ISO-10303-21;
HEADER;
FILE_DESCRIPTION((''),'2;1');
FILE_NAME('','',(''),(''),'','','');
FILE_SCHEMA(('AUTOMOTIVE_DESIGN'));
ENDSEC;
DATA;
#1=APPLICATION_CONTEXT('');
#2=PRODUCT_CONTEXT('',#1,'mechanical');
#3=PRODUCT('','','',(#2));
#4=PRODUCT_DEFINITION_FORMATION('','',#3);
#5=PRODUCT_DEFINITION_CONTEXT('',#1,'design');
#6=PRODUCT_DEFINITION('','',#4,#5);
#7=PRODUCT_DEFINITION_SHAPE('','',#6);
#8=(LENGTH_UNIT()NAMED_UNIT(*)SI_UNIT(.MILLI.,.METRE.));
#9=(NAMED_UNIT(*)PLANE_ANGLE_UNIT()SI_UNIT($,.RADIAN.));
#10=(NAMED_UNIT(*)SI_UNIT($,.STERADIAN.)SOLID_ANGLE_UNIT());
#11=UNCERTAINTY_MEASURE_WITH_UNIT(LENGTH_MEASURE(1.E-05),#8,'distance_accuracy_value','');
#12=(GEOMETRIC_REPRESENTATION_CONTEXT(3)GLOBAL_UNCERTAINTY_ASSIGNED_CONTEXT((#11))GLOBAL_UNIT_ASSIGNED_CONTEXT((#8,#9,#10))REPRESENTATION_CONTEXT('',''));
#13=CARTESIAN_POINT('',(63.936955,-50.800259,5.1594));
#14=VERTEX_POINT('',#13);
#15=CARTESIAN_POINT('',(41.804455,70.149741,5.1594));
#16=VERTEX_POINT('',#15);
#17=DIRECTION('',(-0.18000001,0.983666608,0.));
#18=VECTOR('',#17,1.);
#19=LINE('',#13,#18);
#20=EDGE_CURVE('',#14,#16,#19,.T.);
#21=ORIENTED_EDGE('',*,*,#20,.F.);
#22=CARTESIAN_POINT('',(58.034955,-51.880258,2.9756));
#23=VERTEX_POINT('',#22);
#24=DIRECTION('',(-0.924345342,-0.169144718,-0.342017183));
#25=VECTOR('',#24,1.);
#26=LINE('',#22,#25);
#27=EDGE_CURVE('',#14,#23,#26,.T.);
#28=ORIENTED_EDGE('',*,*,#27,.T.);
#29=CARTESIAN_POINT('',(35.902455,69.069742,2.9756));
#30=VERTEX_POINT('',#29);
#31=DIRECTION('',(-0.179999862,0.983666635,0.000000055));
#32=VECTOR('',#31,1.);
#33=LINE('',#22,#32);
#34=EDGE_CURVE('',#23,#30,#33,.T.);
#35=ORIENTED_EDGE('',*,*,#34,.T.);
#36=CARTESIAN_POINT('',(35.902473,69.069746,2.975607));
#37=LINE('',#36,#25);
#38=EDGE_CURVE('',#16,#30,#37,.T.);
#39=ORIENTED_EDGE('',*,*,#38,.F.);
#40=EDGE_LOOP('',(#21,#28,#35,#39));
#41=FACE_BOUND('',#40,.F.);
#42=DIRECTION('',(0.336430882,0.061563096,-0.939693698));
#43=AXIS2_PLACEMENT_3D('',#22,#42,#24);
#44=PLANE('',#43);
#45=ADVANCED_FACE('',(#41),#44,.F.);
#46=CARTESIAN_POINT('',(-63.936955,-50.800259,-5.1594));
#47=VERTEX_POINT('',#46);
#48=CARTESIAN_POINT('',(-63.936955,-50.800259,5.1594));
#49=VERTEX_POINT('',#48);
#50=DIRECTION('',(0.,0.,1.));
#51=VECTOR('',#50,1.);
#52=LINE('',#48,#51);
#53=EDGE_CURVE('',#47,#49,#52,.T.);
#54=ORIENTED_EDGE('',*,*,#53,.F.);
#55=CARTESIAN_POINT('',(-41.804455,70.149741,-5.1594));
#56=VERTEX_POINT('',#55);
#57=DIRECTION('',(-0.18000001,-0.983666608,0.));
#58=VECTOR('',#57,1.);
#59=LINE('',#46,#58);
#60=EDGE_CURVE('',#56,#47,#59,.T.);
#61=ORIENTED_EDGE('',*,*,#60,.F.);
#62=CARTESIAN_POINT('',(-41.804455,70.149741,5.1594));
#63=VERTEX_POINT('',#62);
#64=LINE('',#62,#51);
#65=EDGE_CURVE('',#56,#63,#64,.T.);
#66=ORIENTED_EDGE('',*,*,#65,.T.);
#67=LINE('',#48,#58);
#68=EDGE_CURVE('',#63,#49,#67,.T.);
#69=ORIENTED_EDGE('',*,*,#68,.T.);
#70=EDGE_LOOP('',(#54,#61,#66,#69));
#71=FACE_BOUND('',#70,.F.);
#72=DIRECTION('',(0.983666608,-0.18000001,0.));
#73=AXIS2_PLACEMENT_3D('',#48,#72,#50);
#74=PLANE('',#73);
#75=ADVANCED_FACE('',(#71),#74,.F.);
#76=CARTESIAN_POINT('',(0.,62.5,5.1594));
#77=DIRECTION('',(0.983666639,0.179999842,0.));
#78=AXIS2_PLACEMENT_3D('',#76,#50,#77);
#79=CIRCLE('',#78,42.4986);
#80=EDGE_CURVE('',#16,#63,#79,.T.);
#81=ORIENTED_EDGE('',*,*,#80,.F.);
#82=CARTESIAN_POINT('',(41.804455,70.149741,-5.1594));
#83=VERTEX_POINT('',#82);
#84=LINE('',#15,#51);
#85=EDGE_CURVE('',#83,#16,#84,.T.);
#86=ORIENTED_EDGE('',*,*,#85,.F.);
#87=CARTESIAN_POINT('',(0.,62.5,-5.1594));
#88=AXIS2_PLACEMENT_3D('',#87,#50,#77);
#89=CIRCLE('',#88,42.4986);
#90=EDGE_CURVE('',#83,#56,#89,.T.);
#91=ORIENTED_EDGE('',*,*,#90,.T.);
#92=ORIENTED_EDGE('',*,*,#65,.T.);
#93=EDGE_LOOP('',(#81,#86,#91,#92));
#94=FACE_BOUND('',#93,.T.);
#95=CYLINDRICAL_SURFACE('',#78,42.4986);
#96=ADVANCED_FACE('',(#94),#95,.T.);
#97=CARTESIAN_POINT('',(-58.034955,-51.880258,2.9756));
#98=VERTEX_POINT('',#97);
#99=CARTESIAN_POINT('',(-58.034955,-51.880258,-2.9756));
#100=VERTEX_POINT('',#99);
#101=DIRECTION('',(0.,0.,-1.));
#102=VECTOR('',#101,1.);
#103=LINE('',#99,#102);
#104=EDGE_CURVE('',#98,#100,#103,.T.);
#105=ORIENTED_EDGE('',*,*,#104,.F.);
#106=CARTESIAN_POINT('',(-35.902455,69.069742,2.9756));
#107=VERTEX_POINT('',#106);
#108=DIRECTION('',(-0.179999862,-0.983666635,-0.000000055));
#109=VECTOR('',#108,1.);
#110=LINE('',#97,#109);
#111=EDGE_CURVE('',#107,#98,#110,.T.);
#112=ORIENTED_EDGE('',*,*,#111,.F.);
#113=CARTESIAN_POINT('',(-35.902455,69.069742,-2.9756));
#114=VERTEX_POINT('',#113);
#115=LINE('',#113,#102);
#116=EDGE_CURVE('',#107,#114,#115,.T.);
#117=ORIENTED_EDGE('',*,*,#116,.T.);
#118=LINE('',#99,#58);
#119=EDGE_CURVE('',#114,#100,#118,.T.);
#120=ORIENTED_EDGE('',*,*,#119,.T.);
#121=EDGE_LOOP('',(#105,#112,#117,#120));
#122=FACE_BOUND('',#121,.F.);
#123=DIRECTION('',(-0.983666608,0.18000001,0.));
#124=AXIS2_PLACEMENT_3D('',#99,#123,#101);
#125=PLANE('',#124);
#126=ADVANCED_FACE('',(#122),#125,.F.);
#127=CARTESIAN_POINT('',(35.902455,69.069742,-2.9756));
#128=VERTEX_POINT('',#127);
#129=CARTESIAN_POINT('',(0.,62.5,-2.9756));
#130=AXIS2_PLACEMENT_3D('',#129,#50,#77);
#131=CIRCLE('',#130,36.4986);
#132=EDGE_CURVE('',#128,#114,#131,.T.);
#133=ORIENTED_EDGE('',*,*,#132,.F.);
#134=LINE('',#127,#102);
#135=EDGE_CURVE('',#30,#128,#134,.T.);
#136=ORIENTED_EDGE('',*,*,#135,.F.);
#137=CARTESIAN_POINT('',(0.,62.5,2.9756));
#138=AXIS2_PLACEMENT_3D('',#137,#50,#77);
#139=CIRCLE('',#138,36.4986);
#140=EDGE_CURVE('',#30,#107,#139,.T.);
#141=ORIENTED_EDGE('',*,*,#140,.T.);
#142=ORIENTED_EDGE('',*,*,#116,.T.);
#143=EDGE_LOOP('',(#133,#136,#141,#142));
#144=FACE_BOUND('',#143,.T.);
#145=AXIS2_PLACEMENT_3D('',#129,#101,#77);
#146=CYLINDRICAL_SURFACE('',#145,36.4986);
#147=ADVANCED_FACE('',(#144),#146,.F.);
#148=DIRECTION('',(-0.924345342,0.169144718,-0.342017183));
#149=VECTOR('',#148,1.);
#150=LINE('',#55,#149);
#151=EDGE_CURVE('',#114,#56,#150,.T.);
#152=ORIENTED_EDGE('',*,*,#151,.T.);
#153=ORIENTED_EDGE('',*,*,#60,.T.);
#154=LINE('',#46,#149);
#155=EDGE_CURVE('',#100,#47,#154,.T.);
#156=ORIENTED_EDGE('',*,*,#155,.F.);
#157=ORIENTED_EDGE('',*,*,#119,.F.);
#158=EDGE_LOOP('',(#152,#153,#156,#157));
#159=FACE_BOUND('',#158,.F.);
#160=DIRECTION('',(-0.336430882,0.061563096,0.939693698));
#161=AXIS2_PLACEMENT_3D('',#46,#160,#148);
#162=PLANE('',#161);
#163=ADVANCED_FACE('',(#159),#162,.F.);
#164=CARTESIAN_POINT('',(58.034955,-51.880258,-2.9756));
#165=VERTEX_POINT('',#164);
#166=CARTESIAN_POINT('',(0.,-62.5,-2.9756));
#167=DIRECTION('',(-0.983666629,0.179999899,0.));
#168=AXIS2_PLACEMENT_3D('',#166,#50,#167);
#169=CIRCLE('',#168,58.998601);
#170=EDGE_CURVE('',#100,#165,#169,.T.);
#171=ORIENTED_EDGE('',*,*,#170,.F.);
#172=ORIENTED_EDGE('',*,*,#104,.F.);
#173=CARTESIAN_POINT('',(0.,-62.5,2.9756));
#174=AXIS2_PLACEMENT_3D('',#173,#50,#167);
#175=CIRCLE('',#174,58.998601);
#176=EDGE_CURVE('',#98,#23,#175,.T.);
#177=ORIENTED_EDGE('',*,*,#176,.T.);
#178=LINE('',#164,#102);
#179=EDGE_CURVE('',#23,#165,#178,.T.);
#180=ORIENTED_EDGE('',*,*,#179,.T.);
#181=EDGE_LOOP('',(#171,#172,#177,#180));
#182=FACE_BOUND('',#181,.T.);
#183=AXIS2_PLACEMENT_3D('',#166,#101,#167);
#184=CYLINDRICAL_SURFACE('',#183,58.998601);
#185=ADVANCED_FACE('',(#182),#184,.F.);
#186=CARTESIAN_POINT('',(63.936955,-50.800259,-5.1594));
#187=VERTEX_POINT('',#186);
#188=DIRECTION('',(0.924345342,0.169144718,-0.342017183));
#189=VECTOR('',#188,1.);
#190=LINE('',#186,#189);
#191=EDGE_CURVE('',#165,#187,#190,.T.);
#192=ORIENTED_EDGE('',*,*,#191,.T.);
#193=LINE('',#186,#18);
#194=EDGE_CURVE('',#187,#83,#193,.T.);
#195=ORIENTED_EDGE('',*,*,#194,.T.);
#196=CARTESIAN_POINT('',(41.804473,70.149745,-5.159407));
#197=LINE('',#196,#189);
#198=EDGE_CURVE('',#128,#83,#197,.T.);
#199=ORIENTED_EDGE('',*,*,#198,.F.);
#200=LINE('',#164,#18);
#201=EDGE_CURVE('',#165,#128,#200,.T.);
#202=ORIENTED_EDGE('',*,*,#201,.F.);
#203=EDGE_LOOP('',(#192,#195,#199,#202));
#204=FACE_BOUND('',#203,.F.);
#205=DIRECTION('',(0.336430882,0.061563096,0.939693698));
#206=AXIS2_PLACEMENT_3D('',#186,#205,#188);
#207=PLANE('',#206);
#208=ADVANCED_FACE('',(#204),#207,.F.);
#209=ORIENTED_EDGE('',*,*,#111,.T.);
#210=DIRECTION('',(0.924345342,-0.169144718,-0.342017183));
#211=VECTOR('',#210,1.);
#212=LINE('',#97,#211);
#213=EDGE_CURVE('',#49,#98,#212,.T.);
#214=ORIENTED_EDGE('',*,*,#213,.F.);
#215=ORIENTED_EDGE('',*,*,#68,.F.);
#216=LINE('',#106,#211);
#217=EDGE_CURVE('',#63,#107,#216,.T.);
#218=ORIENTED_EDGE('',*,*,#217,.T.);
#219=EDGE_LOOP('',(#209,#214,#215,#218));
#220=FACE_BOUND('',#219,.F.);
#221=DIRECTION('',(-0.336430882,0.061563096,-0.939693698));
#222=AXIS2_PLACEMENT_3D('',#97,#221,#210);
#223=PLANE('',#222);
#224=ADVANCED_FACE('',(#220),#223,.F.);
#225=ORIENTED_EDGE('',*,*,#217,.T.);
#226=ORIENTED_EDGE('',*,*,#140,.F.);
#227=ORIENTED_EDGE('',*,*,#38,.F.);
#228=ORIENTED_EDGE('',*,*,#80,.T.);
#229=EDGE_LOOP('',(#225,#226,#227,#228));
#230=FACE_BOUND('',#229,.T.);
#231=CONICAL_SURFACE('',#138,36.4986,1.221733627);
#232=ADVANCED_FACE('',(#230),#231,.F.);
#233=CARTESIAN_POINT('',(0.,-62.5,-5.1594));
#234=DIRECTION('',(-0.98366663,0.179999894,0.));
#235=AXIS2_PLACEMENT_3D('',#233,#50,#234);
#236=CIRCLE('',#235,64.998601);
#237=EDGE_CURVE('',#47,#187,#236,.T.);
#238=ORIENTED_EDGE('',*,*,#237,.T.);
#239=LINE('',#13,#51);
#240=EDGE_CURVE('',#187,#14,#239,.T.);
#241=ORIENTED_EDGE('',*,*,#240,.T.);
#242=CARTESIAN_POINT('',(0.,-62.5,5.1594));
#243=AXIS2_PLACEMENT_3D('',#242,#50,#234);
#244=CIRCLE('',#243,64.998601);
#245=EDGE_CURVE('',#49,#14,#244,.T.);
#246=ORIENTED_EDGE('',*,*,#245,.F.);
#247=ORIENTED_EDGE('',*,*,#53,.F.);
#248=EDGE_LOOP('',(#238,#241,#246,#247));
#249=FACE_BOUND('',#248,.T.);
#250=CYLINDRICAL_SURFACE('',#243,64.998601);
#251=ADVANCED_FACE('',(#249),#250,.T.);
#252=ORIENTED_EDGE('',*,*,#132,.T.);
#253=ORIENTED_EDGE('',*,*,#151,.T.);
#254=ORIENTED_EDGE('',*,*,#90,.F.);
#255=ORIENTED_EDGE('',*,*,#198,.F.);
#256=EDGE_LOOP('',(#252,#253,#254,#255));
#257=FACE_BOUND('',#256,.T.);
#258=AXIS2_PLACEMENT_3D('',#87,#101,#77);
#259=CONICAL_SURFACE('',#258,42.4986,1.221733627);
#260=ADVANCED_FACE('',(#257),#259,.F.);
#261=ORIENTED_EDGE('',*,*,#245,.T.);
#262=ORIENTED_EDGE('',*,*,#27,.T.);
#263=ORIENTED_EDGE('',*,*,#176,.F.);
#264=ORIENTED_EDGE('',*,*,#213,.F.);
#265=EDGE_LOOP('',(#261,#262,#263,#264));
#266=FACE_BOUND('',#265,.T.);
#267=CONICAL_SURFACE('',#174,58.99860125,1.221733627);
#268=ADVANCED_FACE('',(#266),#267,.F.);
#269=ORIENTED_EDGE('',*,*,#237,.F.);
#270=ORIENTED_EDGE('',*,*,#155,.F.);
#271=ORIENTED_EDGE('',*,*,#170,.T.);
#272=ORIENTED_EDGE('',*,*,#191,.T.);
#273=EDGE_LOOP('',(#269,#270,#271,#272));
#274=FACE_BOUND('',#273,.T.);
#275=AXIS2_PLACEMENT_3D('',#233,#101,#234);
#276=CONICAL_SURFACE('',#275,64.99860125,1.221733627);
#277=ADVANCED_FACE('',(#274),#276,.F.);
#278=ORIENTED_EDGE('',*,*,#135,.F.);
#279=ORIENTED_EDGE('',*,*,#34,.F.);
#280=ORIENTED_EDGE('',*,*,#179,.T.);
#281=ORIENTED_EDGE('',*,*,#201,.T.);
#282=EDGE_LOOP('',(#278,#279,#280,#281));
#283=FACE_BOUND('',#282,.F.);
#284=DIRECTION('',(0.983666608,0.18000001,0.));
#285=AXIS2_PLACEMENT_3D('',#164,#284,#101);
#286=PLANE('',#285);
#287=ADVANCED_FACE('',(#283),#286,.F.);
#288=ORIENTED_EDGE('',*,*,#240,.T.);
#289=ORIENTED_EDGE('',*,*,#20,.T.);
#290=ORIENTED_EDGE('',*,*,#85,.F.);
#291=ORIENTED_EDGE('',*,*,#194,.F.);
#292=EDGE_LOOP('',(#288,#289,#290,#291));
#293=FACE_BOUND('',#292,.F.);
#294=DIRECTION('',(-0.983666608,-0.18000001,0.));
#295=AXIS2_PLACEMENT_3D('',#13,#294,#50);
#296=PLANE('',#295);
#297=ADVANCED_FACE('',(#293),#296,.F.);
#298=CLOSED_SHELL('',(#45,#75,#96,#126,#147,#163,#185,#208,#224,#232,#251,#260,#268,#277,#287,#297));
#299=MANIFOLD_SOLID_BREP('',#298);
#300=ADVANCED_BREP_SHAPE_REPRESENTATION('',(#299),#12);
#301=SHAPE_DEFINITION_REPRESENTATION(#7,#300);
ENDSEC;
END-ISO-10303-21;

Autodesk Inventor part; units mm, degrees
ref_plane "YZ Plane" through (0, 0, 0) normal (1, 0, 0) x (0, 1, 0)
ref_plane "XZ Plane" through (0, 0, 0) normal (0, 1, 0) x (-1, 0, 0)
ref_plane "XY Plane" through (0, 0, 0) normal (0, 0, 1) x (1, 0, 0)
sketch "Sketch2" plane through (0, 0, 0) normal (0, 0, 1) x (1, 0, 0)
  line L0 (0, 62.5) -> (0, -62.5) construction
  arc A0 (-39.3467, 69.7) -> (39.3467, 69.7) centre (0, 62.5) ccw construction
  arc A1 (61.4792, -51.25) -> (-61.4792, -51.25) centre (0, -62.5) ccw construction
  line L1 (61.4792, -51.25) -> (39.3467, 69.7)
  line L2 (-61.4792, -51.25) -> (-39.3467, 69.7)
  arc A2 (39.3467, 69.7) -> (-39.3467, 69.7) centre (0, 62.5) ccw
  arc A3 (-61.4792, -51.25) -> (61.4792, -51.25) centre (0, -62.5) ccw
  line L3 (0, 62.5) -> (0, 102.5) construction
  point P0 (0, 0)
  point P1 (0, 0)
  dimension "d1" = 125
  dimension "d2" = 80
  dimension "d3" = 125
sketch "Sketch3" plane through (0, 0, 0) normal (1, 0, 0) x (0, 1, 0)
  line L0 (104.9986, 0) -> (98.9986, 0) construction
  line L1 (102.5, 4.25) -> (102.5, -4.25) construction
  line L2 (104.9986, 5.1594) -> (104.9986, -5.1594)
  line L3 (104.9986, -5.1594) -> (98.9986, -2.9756)
  line L4 (98.9986, -2.9756) -> (98.9986, 2.9756)
  line L5 (98.9986, 2.9756) -> (104.9986, 5.1594)
  point P0 (0, 0)
  point P1 (0, 0)
  point P2 (102.5, 0)
  point P3 (102.5, 0)
  point P4 (102.5, 0)
  dimension "d4" = 8.5
  dimension "d5" = 2.4986
  dimension "d6" = 40
  dimension "d7" = 6
sweep "Sweep1" add profiles "Sketch3" path "Sketch2"
equation "\"d4\" = d8"
equation "\"d5\" = d9"
equation "\"d6\" = d10"
equation "\"d7\" = d11"
equation "\"d8\" = 8.5"
equation "\"d9\" = 2.49859"
equation "\"d10\" = 40deg"
equation "\"d11\" = 6"
properties part number "PWTR-0130" material "Rubber"
